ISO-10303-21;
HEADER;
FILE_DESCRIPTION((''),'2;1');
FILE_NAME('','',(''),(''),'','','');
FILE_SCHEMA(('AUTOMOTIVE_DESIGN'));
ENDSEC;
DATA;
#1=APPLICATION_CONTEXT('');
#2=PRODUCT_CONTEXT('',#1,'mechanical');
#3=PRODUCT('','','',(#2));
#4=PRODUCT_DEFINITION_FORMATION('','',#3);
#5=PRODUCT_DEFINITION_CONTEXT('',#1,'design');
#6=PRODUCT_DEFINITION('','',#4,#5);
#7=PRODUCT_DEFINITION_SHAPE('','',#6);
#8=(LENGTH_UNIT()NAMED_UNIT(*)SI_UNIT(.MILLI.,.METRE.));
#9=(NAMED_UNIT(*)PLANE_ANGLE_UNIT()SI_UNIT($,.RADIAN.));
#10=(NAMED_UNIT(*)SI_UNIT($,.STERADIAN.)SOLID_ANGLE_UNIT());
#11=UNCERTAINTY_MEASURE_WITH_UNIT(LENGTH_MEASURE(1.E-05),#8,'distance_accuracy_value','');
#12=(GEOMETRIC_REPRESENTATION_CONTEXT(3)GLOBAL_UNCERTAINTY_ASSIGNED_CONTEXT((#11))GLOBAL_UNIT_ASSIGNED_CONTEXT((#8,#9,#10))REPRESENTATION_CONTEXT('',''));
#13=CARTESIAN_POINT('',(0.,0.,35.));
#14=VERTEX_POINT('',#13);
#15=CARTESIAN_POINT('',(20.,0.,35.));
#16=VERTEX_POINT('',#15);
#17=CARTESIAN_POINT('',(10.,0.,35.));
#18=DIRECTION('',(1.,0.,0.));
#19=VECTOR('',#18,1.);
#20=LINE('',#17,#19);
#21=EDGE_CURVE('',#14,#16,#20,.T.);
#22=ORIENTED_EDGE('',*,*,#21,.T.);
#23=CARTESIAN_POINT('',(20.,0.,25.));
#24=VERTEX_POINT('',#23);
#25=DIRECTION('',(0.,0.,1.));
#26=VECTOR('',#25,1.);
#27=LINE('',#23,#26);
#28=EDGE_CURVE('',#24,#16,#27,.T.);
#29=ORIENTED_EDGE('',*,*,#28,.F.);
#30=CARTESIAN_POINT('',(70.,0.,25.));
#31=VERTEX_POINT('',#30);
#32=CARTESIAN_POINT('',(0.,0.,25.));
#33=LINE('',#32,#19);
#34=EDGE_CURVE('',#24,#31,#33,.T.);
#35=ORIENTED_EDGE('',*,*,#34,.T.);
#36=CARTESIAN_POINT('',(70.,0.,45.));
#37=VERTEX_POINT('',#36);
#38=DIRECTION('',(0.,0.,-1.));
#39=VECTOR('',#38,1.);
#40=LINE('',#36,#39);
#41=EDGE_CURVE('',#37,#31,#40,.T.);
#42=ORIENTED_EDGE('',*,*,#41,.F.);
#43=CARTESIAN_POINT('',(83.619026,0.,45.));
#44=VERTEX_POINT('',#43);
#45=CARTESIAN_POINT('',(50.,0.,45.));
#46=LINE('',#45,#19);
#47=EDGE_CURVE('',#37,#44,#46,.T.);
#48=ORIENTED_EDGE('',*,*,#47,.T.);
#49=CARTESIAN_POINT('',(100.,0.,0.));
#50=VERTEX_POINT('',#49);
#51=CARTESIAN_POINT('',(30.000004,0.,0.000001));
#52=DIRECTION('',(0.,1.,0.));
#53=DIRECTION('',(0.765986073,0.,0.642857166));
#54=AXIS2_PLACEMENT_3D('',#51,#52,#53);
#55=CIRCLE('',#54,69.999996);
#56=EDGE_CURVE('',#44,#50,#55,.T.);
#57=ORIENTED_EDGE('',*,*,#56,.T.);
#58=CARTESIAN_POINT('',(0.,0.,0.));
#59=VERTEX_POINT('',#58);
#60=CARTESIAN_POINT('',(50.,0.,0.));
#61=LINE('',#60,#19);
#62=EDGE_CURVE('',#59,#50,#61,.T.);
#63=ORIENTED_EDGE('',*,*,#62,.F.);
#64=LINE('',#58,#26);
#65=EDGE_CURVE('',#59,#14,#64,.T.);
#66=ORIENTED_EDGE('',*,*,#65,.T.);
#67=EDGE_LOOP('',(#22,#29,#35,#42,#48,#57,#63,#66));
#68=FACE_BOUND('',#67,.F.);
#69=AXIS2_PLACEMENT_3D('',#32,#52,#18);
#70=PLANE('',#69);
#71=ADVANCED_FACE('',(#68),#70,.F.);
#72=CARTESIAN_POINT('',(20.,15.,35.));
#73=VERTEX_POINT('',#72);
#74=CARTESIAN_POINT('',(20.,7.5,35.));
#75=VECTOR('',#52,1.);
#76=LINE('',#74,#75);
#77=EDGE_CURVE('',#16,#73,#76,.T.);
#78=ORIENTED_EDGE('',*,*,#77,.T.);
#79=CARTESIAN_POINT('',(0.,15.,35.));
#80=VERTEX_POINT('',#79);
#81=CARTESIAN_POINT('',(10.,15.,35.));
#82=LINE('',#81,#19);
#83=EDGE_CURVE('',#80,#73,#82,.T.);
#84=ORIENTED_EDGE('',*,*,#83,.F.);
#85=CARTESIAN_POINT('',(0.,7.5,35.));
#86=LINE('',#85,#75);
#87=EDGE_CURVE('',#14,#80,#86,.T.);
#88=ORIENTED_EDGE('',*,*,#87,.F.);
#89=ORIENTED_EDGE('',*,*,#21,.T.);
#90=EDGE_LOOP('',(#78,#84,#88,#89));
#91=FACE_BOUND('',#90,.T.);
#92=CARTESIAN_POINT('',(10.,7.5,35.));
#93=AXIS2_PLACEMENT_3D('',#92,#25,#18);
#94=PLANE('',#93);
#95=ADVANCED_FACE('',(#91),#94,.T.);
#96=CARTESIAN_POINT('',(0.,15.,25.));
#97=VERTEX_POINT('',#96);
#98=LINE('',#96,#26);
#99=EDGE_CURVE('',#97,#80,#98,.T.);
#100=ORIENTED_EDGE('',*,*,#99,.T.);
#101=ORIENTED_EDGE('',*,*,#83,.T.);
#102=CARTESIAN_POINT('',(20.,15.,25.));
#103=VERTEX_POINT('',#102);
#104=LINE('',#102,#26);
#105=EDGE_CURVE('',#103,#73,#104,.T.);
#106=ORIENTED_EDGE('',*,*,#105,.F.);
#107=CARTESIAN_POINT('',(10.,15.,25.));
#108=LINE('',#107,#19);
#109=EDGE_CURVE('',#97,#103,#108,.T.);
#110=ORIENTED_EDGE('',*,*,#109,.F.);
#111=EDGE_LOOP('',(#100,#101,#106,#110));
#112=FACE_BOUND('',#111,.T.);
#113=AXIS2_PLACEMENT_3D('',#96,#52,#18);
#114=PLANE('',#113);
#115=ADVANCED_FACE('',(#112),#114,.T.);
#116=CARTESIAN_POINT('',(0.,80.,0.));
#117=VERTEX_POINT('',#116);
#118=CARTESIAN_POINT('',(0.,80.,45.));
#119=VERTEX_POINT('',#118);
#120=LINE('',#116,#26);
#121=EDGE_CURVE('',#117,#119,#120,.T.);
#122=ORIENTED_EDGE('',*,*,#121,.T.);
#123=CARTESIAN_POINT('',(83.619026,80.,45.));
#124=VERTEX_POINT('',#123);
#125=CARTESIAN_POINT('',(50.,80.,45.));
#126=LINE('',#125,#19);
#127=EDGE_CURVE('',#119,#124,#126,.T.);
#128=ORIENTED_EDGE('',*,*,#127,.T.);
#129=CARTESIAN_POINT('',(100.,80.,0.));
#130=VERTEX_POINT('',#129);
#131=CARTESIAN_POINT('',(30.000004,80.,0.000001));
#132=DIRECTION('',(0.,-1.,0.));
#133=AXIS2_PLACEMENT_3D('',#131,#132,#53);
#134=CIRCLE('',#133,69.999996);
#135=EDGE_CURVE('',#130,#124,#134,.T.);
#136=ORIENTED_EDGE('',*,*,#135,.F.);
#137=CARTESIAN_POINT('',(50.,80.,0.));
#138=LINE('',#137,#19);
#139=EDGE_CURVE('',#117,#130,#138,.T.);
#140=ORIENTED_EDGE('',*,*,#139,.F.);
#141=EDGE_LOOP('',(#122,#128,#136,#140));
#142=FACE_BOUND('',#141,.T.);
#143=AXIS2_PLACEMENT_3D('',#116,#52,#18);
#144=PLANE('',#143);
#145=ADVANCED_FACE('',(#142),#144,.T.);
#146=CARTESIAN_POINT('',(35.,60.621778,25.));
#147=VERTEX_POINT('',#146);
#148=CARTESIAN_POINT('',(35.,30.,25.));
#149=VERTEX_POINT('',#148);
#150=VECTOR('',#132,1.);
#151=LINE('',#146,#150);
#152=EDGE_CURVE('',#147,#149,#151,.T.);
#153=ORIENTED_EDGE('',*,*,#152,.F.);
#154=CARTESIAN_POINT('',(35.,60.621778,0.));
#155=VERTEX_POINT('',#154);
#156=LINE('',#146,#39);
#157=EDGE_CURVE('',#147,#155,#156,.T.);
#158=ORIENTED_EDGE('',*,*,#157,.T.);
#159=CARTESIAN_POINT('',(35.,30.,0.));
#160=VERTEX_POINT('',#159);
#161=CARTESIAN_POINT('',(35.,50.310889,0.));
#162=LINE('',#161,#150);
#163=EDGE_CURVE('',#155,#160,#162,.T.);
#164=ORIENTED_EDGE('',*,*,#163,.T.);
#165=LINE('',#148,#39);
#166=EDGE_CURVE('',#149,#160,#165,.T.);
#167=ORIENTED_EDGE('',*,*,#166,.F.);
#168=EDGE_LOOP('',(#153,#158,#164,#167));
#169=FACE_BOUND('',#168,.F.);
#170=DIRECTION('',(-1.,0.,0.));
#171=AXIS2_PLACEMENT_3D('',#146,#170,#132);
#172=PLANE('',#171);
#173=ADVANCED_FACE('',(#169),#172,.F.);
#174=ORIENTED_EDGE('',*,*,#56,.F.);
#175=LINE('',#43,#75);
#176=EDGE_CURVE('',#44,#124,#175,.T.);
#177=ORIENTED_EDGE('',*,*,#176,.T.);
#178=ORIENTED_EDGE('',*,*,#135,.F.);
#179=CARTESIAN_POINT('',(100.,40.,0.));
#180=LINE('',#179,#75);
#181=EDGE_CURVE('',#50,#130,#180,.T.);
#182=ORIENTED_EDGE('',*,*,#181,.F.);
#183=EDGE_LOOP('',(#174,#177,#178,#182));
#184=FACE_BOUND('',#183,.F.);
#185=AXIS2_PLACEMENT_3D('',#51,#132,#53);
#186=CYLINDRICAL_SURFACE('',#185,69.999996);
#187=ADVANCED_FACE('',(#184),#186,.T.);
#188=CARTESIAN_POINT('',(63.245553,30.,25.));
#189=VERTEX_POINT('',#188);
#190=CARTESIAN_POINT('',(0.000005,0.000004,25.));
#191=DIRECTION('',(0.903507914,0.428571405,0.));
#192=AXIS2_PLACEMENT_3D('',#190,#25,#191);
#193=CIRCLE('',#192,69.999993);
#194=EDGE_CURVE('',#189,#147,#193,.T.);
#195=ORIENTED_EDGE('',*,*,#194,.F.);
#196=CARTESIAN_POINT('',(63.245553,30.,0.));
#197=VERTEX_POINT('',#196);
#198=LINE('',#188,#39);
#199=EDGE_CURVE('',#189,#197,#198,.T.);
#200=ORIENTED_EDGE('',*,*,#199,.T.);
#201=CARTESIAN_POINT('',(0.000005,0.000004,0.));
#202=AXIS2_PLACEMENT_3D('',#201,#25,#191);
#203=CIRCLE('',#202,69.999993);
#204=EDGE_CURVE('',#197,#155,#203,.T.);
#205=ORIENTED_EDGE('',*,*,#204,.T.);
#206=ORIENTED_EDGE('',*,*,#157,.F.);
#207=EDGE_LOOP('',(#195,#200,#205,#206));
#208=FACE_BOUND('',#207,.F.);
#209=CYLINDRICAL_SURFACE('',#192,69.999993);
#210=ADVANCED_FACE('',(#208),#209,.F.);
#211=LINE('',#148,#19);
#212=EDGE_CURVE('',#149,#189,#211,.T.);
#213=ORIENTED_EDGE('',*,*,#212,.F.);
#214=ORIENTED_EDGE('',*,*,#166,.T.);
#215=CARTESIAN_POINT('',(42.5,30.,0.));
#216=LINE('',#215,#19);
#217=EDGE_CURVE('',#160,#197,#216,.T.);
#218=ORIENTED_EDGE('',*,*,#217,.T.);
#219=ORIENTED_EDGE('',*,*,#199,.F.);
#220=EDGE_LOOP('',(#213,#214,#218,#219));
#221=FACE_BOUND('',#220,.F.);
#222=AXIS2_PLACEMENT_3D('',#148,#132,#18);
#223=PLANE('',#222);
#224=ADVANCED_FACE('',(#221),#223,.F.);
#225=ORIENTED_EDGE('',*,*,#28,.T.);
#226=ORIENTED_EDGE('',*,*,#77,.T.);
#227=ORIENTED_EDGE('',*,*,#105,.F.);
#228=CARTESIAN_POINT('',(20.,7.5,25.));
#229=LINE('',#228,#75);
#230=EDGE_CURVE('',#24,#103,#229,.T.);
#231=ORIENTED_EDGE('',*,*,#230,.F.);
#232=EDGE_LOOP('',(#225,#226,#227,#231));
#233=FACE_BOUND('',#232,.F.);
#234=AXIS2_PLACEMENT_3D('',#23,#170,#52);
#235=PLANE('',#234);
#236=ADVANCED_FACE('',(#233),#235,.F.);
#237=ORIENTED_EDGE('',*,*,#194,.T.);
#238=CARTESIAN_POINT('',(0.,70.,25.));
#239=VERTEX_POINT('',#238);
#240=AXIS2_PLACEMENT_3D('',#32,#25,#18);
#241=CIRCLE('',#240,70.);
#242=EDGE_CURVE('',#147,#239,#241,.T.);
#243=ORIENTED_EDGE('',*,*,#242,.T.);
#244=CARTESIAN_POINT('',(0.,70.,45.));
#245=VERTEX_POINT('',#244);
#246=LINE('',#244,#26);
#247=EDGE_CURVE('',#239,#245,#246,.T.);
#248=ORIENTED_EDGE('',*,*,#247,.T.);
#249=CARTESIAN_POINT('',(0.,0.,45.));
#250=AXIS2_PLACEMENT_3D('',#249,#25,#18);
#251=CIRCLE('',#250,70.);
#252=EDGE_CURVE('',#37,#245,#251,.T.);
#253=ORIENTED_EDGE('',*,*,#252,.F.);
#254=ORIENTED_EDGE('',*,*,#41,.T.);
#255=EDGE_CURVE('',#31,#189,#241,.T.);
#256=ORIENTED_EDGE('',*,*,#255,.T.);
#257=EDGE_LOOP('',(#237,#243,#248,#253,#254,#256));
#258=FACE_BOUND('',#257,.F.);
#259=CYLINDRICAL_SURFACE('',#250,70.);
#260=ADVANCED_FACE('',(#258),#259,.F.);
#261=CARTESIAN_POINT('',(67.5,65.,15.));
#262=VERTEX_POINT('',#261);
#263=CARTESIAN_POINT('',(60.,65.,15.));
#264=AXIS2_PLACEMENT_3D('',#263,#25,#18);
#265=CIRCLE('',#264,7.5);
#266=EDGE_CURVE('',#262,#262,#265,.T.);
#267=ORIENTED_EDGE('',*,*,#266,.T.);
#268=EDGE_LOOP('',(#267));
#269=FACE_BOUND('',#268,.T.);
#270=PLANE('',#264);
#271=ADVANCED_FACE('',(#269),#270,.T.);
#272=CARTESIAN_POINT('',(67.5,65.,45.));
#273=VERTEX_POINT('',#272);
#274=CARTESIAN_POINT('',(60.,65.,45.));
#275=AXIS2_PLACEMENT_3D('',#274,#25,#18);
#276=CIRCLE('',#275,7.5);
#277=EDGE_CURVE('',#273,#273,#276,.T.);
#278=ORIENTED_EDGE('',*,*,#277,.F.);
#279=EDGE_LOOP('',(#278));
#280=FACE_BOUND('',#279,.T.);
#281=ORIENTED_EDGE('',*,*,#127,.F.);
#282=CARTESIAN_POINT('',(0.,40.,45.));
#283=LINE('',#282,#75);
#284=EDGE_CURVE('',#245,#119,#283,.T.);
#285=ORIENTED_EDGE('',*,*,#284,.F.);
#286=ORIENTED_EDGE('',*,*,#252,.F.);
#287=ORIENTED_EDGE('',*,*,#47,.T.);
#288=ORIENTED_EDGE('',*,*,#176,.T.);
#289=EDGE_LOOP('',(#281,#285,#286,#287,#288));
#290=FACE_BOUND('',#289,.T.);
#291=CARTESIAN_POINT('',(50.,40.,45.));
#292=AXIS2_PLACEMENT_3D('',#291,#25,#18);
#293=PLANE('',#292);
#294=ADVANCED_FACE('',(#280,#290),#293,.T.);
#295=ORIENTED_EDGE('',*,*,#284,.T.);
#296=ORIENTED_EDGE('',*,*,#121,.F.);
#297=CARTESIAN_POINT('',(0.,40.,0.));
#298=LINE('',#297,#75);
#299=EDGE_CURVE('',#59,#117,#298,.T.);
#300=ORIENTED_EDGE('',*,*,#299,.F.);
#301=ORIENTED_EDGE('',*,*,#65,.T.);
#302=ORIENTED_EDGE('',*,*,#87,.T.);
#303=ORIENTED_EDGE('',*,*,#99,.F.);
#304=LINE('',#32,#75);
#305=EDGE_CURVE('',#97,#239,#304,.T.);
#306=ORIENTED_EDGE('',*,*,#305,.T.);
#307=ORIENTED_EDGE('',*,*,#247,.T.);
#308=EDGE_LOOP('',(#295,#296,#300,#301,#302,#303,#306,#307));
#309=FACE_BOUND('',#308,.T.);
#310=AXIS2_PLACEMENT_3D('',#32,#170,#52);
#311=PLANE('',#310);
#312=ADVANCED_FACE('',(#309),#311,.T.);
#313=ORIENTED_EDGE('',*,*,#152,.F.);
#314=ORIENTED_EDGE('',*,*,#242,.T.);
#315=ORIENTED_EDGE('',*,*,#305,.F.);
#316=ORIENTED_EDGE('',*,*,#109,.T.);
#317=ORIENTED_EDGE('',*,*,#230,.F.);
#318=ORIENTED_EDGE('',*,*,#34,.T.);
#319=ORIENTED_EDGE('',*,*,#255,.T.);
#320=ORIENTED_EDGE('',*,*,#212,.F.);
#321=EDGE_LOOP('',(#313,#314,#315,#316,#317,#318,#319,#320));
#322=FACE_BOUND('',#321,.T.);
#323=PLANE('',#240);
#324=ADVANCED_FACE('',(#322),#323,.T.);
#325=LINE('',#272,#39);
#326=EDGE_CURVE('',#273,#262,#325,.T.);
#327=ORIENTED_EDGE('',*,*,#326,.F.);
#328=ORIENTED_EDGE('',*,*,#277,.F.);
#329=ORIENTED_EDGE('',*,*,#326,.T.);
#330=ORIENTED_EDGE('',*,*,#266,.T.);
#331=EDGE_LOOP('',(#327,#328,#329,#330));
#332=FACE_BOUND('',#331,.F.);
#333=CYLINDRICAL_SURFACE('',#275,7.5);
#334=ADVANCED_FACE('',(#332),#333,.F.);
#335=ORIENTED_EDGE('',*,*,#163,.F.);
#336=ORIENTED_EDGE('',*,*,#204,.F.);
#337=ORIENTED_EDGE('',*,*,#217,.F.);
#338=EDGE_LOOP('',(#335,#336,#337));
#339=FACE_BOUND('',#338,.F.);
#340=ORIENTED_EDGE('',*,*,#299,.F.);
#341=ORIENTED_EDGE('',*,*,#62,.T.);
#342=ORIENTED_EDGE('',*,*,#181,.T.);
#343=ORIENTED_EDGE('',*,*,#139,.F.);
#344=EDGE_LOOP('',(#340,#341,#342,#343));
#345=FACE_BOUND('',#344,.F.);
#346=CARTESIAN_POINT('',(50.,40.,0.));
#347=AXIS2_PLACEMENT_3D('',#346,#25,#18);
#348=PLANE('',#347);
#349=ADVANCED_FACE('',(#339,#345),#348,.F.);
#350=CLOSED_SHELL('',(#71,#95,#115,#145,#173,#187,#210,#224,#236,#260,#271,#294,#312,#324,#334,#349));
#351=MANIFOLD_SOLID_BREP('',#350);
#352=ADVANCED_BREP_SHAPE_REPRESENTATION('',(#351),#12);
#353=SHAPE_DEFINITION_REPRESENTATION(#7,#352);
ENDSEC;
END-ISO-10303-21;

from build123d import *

# Parameters (mm, degrees)
F0_W      = 100
F0_H      = 80
F1_DEPTH  = 45
F2_R      = 70
F3_DEPTH  = 20
F5_DEPTH  = 25.001
F6_W      = 20
F6_H      = 15
F7_DEPTH  = 10
F8_R      = 7.5
F9_DEPTH  = 30
F12_DEPTH = 80.001


with BuildPart() as f1:
    # F0 (on Top) → F1 (new body)
    with BuildSketch(Plane.XY):
        with Locations((50, 40)):
            Rectangle(F0_W, F0_H)
    extrude(amount=F1_DEPTH)

    # F2 (on face) → F3 (cut)
    with BuildSketch(Plane.XY.offset(45)):
        Circle(F2_R)
    extrude(amount=-F3_DEPTH, mode=Mode.SUBTRACT)

    # F4 (on face) → F5 (cut, through all)
    with BuildSketch(Plane.XY.offset(25)):
        with BuildLine():
            ThreePointArc((63.245553, 30), (51.453576, 47.460821), (35, 60.621778))
            Line((35, 60.621778), (35, 30))
            Line((35, 30), (63.245553, 30))
        make_face()
    extrude(amount=-F5_DEPTH, mode=Mode.SUBTRACT)

    # F6 (on face) → F7 (join)
    with BuildSketch(Plane.XY.offset(25)):
        with Locations((10, 7.5)):
            Rectangle(F6_W, F6_H)
    extrude(amount=F7_DEPTH)

    # F8 (on face) → F9 (cut)
    with BuildSketch(Plane.XY.offset(45)):
        with Locations((60, 65)):
            Circle(F8_R)
    extrude(amount=-F9_DEPTH, mode=Mode.SUBTRACT)

    # F11 (on face) → F12 (cut, through all)
    with BuildSketch(Plane.XZ):
        with BuildLine():
            ThreePointArc((83.619026, 45), (95.777397, 23.944395), (100, 0))
            Line((100, 0), (100, 45))
            Line((100, 45), (83.619026, 45))
        make_face()
    extrude(amount=-F12_DEPTH, mode=Mode.SUBTRACT)


solid = f1.part
